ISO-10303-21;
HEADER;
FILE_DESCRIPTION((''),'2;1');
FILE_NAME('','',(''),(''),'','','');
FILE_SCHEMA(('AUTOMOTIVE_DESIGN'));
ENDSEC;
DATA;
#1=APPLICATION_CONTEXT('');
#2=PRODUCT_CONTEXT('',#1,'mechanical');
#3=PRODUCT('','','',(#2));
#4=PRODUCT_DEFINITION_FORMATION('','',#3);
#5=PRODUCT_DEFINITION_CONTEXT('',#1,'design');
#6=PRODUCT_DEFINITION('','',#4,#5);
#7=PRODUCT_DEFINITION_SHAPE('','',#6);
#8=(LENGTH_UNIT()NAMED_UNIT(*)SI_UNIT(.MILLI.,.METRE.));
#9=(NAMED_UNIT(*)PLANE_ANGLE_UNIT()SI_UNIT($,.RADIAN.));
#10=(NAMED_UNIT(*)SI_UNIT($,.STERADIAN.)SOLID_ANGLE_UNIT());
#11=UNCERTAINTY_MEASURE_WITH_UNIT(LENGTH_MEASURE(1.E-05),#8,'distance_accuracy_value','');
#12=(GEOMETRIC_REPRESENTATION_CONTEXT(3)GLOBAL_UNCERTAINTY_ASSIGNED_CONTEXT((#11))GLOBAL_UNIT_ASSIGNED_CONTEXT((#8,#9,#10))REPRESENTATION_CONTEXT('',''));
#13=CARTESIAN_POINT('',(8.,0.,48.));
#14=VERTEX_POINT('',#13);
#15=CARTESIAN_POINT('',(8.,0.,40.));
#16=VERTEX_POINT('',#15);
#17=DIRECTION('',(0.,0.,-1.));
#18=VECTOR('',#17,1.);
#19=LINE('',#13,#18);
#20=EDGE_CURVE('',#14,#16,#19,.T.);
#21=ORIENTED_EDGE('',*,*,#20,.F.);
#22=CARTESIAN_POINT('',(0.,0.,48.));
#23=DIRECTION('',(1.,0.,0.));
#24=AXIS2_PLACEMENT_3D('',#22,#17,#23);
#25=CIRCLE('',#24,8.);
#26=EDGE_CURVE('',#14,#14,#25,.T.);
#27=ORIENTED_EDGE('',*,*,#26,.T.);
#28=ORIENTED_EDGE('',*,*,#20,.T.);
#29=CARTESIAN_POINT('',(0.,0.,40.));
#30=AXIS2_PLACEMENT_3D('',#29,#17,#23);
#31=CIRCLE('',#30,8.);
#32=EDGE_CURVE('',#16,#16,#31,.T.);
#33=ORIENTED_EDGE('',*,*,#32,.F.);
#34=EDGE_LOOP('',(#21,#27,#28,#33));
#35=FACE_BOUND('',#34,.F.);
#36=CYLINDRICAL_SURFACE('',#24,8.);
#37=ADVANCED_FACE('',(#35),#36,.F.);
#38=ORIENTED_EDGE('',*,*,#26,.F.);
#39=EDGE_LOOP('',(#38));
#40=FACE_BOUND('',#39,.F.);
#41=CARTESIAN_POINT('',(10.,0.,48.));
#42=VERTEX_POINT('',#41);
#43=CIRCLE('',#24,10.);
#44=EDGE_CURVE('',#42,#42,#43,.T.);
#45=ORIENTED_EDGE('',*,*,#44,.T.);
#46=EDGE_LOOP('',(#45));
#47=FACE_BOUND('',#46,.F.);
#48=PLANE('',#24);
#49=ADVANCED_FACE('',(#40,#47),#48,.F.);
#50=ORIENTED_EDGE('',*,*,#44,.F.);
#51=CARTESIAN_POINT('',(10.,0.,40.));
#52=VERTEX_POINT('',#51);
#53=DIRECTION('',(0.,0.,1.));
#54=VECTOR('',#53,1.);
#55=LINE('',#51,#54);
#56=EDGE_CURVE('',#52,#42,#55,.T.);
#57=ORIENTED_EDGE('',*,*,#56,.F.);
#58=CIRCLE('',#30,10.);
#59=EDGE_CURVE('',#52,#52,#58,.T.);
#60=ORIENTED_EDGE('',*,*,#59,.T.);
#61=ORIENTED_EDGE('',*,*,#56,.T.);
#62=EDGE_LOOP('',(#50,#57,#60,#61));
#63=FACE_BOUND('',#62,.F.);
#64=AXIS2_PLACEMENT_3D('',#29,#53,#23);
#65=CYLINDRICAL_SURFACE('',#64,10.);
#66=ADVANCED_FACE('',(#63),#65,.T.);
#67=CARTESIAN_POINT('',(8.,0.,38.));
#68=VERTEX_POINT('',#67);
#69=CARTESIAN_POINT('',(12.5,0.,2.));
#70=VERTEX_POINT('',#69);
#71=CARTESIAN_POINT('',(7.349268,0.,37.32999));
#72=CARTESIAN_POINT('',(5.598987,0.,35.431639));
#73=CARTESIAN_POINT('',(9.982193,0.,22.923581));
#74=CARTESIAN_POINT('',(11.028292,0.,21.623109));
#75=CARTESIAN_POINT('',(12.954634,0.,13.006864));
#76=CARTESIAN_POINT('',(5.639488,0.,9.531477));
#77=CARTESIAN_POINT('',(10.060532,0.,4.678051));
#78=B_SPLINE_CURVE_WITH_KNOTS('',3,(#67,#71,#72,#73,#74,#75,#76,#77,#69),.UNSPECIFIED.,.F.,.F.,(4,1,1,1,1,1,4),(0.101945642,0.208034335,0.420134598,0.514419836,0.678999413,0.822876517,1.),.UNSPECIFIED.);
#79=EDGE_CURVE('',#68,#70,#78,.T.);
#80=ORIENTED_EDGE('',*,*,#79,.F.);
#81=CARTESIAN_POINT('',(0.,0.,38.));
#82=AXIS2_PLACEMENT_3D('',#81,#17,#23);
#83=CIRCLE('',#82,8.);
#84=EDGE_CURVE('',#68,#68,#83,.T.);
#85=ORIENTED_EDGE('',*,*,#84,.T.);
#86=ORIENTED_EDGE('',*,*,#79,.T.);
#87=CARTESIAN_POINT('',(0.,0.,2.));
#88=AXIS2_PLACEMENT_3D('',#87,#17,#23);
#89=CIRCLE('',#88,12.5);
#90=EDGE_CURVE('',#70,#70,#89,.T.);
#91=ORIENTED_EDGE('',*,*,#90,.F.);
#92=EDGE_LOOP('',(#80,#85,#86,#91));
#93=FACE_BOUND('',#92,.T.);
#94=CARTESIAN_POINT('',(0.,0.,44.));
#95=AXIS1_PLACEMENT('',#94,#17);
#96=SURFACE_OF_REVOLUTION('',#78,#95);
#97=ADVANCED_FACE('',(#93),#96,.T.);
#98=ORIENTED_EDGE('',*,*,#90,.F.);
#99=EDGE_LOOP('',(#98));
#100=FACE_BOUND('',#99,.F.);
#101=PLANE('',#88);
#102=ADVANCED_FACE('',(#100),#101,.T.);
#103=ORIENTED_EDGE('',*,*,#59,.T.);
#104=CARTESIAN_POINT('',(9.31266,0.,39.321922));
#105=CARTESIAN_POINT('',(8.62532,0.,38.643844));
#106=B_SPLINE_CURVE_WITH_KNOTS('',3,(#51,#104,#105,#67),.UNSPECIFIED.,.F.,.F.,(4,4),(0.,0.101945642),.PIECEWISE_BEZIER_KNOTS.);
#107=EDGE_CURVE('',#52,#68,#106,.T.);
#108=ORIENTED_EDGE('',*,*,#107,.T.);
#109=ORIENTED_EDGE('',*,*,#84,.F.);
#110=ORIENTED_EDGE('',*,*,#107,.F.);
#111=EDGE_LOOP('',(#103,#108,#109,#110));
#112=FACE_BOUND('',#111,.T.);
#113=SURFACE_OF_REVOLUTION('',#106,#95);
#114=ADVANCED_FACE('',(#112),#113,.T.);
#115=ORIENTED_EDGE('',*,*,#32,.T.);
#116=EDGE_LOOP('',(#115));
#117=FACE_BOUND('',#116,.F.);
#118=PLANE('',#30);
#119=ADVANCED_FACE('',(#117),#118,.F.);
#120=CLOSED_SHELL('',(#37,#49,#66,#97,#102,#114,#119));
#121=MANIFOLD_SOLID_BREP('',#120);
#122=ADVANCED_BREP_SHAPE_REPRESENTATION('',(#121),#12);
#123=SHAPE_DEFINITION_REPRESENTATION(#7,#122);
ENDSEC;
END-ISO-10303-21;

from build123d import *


with BuildPart() as f1:
    # F0 (on Front) → F1 (revolve)
    with BuildSketch(Plane.XZ):
        with BuildLine():
            Line((0, 38), (0, 2))
            Line((0, 2), (12.5, 2))
            add(Edge.make_bspline(
                [(8, 38), (7.3492675549, 37.3299901625), (5.5989867008, 35.4316393222), (9.9821933858, 22.9235814091), (11.0282922174, 21.6231093494), (12.9546336943, 13.0068640425), (5.6394876227, 9.5314772457), (10.0605317603, 4.6780506365), (12.5, 2)],
                knots=[0.1019456419, 0.1019456419, 0.1019456419, 0.1019456419, 0.2080343351, 0.4201345979, 0.5144198361, 0.6789994127, 0.8228765166, 1, 1, 1, 1], degree=3))
            Line((8, 38), (0, 38))
        make_face()
        with BuildLine():
            Line((0, 40), (0, 38))
            Line((0, 38), (8, 38))
            add(Edge.make_bspline(
                [(10, 40), (9.3126597885, 39.3219220675), (8.6253195771, 38.643844135), (8, 38)],
                knots=[0, 0, 0, 0, 0.1019456419, 0.1019456419, 0.1019456419, 0.1019456419], degree=3))
            Line((10, 40), (10, 48))
            Line((10, 48), (8, 48))
            Line((8, 48), (8, 42.256437242))
            Line((8, 42.256437242), (8, 40))
            Line((8, 40), (0, 40))
        make_face()
    revolve(axis=Axis((0, 0, 44), (0, 0, -1)))


solid = f1.part
